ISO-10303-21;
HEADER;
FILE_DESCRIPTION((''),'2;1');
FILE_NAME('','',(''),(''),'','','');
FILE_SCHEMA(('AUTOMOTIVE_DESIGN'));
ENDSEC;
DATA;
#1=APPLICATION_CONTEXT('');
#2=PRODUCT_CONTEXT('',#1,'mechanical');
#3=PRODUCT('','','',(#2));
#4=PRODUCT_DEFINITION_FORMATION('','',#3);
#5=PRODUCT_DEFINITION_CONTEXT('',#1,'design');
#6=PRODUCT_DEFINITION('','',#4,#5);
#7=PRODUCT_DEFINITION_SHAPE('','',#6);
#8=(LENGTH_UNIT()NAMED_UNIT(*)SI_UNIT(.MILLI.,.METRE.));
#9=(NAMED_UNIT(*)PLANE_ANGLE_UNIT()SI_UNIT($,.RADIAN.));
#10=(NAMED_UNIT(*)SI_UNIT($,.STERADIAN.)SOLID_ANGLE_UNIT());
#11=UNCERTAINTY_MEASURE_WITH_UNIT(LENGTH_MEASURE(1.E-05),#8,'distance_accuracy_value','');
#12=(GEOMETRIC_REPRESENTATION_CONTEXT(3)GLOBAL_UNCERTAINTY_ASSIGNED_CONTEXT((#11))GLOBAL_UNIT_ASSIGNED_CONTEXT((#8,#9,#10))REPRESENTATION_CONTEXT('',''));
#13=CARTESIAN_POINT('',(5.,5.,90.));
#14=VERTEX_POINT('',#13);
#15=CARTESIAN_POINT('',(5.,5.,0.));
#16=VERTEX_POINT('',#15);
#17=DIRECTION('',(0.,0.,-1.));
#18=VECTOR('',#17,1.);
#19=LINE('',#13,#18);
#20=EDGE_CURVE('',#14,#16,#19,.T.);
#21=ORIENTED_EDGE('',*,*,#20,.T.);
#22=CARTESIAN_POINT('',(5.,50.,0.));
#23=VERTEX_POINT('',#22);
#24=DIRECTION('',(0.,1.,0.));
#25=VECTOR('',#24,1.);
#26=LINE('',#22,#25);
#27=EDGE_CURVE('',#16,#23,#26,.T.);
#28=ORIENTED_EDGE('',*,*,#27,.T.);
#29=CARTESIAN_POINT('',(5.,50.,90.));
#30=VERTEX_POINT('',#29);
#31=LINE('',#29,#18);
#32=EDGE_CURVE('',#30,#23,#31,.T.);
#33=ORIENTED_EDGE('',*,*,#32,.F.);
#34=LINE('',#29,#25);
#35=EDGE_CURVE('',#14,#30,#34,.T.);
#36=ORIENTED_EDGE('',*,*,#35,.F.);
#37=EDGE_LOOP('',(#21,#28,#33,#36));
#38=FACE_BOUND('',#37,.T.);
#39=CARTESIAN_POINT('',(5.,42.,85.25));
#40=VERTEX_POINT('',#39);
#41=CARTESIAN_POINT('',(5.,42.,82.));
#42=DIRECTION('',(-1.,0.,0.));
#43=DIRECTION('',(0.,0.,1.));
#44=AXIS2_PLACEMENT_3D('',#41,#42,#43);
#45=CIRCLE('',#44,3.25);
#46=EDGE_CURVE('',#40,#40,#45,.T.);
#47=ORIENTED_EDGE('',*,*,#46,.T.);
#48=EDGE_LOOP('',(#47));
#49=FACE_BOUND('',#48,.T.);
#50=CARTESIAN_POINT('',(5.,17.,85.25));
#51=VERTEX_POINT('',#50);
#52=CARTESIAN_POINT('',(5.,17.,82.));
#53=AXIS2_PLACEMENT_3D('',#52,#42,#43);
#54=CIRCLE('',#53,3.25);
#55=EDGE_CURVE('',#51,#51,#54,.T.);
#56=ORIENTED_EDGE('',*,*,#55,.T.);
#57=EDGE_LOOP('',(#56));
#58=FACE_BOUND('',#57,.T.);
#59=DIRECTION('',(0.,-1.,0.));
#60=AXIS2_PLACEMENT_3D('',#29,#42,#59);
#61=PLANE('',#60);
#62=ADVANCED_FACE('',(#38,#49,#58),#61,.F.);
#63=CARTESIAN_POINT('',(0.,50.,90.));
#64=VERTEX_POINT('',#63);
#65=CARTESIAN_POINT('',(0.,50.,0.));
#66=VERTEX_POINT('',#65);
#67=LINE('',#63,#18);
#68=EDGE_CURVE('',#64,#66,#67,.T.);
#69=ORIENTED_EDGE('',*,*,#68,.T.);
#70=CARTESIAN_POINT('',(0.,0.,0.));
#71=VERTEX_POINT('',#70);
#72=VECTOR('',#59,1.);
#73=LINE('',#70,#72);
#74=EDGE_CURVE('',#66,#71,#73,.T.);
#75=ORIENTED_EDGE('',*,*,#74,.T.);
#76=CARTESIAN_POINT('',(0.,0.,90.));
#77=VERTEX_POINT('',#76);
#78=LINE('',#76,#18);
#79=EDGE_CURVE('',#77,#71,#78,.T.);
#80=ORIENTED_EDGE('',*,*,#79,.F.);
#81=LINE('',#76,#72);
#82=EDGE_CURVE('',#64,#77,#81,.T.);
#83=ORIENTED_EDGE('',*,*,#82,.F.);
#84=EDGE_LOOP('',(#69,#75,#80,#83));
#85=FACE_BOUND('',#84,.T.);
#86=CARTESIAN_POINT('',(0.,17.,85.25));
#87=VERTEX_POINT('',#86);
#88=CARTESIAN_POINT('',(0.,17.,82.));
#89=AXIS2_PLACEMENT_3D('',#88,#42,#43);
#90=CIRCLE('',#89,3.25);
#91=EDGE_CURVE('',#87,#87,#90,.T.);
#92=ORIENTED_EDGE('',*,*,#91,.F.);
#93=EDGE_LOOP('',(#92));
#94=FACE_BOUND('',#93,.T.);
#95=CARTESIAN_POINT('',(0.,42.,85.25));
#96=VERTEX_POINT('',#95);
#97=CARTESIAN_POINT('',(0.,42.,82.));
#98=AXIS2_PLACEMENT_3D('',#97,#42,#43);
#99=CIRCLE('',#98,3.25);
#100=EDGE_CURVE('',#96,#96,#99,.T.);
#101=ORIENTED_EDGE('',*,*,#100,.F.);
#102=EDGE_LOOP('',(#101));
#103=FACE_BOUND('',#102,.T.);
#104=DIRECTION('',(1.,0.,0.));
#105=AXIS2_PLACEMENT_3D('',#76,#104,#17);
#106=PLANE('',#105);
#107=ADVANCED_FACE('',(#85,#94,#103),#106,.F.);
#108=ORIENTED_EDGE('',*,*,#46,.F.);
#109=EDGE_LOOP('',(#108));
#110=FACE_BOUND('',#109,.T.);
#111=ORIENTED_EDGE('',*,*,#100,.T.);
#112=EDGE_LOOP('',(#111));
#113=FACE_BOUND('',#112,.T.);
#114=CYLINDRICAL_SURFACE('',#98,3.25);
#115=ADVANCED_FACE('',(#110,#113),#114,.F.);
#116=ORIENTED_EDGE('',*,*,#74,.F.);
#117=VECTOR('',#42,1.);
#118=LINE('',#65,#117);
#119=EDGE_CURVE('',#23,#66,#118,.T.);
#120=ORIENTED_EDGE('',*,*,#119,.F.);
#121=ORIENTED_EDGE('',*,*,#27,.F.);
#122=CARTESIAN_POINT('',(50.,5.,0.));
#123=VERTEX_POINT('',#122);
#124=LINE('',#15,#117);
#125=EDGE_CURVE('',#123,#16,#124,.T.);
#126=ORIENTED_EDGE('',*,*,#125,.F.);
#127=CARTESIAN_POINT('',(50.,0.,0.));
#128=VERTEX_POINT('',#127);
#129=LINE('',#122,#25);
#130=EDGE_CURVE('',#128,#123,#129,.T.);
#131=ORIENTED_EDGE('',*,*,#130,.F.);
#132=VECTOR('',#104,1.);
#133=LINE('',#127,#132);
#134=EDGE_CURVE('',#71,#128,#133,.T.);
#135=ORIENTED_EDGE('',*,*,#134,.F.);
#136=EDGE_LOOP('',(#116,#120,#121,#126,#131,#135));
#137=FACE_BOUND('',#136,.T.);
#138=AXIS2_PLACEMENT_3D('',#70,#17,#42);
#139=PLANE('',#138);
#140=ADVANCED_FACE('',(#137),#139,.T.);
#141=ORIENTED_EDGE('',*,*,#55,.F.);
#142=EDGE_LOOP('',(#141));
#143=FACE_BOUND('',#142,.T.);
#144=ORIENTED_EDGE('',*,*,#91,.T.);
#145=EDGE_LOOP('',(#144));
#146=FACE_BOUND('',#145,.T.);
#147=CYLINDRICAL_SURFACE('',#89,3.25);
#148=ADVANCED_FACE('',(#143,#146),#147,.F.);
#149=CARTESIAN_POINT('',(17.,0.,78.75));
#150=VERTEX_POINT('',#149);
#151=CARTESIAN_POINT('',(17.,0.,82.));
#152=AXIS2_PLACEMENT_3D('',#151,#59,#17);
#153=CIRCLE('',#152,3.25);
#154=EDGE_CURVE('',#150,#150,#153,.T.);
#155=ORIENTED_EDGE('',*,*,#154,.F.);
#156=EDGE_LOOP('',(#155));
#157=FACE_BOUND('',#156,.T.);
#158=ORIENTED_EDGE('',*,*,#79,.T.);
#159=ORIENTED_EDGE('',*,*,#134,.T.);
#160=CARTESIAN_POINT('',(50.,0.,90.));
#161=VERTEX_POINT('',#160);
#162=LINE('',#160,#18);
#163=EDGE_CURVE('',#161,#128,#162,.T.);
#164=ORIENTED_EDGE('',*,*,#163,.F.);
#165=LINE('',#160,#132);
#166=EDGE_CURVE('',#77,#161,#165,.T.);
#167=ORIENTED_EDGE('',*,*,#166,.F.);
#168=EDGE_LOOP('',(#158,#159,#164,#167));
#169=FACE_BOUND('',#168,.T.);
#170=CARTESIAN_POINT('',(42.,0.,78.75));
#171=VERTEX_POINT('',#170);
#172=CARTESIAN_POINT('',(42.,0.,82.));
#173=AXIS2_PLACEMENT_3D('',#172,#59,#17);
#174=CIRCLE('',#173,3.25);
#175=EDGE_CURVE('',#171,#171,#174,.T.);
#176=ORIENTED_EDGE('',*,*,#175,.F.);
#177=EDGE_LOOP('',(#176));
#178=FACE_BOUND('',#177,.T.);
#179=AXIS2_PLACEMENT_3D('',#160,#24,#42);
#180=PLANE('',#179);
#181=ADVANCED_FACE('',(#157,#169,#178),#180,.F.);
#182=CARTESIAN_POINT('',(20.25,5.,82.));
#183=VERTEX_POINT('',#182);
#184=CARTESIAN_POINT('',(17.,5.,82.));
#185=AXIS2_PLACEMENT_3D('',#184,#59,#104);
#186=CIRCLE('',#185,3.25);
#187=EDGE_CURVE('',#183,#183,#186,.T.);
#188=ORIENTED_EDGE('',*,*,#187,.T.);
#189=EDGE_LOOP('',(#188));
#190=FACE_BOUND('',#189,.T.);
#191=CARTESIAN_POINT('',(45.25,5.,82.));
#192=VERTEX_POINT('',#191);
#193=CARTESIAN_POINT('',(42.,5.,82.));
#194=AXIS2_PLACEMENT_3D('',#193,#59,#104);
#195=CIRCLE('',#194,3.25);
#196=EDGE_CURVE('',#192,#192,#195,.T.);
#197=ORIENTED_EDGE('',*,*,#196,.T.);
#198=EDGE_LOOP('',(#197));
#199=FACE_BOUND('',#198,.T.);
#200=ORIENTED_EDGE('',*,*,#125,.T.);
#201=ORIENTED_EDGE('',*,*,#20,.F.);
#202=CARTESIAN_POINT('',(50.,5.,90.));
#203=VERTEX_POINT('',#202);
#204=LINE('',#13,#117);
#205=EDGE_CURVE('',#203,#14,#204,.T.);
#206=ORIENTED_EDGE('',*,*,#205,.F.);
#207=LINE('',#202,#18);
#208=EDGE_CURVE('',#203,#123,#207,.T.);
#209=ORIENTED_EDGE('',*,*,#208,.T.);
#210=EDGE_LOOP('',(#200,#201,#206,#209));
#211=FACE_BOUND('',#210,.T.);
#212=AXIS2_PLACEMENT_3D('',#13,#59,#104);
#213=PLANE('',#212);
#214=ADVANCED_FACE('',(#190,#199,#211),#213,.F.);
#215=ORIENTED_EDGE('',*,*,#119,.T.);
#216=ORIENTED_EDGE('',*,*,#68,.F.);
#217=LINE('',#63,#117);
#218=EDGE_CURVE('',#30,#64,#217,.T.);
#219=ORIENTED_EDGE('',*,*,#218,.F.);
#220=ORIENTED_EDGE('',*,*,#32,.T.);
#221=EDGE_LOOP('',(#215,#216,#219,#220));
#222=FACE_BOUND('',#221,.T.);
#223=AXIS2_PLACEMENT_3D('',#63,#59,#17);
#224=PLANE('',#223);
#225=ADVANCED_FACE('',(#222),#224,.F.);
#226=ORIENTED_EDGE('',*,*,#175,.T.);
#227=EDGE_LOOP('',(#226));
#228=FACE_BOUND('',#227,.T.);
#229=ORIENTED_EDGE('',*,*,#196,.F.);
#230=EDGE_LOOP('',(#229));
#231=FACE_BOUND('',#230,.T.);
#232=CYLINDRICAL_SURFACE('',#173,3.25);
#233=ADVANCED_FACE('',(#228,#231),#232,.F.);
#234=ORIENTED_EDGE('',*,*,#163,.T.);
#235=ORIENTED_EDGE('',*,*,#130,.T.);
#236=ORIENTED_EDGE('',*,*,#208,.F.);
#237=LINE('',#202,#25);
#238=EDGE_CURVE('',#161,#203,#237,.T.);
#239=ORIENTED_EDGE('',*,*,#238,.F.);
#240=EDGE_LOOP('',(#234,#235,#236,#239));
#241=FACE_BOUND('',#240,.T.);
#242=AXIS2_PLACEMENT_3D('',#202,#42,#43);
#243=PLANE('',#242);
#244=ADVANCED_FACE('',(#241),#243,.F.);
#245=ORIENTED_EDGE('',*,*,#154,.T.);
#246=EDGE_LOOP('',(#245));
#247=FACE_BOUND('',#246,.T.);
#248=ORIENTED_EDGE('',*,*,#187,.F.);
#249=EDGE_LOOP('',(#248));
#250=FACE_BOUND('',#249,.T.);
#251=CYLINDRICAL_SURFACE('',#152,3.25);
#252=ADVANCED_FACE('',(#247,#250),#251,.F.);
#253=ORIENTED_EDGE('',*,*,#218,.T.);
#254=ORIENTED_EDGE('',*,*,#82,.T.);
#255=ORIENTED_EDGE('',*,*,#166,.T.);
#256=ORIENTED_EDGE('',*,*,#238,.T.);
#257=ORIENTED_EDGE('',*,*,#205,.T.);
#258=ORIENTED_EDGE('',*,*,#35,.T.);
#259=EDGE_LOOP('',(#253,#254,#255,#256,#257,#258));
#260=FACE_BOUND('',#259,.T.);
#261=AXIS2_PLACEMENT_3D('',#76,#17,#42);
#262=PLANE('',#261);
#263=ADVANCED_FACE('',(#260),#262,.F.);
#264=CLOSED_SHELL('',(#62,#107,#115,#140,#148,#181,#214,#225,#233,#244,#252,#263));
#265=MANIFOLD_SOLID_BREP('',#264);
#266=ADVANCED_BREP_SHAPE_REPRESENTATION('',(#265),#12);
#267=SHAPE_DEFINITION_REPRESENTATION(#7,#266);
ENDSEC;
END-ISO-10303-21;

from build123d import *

# Parameters (mm, degrees)
ESTRUSIONE_ESTRUSIONE1_DEPTH = 90
FORO_6_5_6_5_1_D             = 6.5
FORO_6_5_6_5_2_D             = 6.5
FORO_6_5_6_5_2_DEPTH         = 5
FORO_6_5_6_5_2_TIP           = 1.952797012


with BuildPart() as part:
    # Schizzo1 → Estrusione-Estrusione1 (new body)
    with BuildSketch(Plane.XY):
        Polygon((0, 0), (0, 50), (5, 50), (5, 5), (50, 5), (50, 0), align=None)
    extrude(amount=ESTRUSIONE_ESTRUSIONE1_DEPTH)

    # Foro Ø6.5 (6.5)-1 (through all)
    with Locations(Plane(origin=(0, 0, 0), x_dir=(-1, 0, 0), z_dir=(0, -1, 0))):
        with Locations((-17, -82), (-42, -82)):
            Hole(FORO_6_5_6_5_1_D / 2)

    # Foro Ø6.5 (6.5)-2
    with Locations(Plane.ZY):
        with Locations((82, 42), (82, 17)):
            Hole(FORO_6_5_6_5_2_D / 2, depth=FORO_6_5_6_5_2_DEPTH)
            with Locations((0, 0, -(FORO_6_5_6_5_2_DEPTH + FORO_6_5_6_5_2_TIP / 2))):  # 118° drill point
                Cone(0, FORO_6_5_6_5_2_D / 2, FORO_6_5_6_5_2_TIP, mode=Mode.SUBTRACT)


solid = part.part
